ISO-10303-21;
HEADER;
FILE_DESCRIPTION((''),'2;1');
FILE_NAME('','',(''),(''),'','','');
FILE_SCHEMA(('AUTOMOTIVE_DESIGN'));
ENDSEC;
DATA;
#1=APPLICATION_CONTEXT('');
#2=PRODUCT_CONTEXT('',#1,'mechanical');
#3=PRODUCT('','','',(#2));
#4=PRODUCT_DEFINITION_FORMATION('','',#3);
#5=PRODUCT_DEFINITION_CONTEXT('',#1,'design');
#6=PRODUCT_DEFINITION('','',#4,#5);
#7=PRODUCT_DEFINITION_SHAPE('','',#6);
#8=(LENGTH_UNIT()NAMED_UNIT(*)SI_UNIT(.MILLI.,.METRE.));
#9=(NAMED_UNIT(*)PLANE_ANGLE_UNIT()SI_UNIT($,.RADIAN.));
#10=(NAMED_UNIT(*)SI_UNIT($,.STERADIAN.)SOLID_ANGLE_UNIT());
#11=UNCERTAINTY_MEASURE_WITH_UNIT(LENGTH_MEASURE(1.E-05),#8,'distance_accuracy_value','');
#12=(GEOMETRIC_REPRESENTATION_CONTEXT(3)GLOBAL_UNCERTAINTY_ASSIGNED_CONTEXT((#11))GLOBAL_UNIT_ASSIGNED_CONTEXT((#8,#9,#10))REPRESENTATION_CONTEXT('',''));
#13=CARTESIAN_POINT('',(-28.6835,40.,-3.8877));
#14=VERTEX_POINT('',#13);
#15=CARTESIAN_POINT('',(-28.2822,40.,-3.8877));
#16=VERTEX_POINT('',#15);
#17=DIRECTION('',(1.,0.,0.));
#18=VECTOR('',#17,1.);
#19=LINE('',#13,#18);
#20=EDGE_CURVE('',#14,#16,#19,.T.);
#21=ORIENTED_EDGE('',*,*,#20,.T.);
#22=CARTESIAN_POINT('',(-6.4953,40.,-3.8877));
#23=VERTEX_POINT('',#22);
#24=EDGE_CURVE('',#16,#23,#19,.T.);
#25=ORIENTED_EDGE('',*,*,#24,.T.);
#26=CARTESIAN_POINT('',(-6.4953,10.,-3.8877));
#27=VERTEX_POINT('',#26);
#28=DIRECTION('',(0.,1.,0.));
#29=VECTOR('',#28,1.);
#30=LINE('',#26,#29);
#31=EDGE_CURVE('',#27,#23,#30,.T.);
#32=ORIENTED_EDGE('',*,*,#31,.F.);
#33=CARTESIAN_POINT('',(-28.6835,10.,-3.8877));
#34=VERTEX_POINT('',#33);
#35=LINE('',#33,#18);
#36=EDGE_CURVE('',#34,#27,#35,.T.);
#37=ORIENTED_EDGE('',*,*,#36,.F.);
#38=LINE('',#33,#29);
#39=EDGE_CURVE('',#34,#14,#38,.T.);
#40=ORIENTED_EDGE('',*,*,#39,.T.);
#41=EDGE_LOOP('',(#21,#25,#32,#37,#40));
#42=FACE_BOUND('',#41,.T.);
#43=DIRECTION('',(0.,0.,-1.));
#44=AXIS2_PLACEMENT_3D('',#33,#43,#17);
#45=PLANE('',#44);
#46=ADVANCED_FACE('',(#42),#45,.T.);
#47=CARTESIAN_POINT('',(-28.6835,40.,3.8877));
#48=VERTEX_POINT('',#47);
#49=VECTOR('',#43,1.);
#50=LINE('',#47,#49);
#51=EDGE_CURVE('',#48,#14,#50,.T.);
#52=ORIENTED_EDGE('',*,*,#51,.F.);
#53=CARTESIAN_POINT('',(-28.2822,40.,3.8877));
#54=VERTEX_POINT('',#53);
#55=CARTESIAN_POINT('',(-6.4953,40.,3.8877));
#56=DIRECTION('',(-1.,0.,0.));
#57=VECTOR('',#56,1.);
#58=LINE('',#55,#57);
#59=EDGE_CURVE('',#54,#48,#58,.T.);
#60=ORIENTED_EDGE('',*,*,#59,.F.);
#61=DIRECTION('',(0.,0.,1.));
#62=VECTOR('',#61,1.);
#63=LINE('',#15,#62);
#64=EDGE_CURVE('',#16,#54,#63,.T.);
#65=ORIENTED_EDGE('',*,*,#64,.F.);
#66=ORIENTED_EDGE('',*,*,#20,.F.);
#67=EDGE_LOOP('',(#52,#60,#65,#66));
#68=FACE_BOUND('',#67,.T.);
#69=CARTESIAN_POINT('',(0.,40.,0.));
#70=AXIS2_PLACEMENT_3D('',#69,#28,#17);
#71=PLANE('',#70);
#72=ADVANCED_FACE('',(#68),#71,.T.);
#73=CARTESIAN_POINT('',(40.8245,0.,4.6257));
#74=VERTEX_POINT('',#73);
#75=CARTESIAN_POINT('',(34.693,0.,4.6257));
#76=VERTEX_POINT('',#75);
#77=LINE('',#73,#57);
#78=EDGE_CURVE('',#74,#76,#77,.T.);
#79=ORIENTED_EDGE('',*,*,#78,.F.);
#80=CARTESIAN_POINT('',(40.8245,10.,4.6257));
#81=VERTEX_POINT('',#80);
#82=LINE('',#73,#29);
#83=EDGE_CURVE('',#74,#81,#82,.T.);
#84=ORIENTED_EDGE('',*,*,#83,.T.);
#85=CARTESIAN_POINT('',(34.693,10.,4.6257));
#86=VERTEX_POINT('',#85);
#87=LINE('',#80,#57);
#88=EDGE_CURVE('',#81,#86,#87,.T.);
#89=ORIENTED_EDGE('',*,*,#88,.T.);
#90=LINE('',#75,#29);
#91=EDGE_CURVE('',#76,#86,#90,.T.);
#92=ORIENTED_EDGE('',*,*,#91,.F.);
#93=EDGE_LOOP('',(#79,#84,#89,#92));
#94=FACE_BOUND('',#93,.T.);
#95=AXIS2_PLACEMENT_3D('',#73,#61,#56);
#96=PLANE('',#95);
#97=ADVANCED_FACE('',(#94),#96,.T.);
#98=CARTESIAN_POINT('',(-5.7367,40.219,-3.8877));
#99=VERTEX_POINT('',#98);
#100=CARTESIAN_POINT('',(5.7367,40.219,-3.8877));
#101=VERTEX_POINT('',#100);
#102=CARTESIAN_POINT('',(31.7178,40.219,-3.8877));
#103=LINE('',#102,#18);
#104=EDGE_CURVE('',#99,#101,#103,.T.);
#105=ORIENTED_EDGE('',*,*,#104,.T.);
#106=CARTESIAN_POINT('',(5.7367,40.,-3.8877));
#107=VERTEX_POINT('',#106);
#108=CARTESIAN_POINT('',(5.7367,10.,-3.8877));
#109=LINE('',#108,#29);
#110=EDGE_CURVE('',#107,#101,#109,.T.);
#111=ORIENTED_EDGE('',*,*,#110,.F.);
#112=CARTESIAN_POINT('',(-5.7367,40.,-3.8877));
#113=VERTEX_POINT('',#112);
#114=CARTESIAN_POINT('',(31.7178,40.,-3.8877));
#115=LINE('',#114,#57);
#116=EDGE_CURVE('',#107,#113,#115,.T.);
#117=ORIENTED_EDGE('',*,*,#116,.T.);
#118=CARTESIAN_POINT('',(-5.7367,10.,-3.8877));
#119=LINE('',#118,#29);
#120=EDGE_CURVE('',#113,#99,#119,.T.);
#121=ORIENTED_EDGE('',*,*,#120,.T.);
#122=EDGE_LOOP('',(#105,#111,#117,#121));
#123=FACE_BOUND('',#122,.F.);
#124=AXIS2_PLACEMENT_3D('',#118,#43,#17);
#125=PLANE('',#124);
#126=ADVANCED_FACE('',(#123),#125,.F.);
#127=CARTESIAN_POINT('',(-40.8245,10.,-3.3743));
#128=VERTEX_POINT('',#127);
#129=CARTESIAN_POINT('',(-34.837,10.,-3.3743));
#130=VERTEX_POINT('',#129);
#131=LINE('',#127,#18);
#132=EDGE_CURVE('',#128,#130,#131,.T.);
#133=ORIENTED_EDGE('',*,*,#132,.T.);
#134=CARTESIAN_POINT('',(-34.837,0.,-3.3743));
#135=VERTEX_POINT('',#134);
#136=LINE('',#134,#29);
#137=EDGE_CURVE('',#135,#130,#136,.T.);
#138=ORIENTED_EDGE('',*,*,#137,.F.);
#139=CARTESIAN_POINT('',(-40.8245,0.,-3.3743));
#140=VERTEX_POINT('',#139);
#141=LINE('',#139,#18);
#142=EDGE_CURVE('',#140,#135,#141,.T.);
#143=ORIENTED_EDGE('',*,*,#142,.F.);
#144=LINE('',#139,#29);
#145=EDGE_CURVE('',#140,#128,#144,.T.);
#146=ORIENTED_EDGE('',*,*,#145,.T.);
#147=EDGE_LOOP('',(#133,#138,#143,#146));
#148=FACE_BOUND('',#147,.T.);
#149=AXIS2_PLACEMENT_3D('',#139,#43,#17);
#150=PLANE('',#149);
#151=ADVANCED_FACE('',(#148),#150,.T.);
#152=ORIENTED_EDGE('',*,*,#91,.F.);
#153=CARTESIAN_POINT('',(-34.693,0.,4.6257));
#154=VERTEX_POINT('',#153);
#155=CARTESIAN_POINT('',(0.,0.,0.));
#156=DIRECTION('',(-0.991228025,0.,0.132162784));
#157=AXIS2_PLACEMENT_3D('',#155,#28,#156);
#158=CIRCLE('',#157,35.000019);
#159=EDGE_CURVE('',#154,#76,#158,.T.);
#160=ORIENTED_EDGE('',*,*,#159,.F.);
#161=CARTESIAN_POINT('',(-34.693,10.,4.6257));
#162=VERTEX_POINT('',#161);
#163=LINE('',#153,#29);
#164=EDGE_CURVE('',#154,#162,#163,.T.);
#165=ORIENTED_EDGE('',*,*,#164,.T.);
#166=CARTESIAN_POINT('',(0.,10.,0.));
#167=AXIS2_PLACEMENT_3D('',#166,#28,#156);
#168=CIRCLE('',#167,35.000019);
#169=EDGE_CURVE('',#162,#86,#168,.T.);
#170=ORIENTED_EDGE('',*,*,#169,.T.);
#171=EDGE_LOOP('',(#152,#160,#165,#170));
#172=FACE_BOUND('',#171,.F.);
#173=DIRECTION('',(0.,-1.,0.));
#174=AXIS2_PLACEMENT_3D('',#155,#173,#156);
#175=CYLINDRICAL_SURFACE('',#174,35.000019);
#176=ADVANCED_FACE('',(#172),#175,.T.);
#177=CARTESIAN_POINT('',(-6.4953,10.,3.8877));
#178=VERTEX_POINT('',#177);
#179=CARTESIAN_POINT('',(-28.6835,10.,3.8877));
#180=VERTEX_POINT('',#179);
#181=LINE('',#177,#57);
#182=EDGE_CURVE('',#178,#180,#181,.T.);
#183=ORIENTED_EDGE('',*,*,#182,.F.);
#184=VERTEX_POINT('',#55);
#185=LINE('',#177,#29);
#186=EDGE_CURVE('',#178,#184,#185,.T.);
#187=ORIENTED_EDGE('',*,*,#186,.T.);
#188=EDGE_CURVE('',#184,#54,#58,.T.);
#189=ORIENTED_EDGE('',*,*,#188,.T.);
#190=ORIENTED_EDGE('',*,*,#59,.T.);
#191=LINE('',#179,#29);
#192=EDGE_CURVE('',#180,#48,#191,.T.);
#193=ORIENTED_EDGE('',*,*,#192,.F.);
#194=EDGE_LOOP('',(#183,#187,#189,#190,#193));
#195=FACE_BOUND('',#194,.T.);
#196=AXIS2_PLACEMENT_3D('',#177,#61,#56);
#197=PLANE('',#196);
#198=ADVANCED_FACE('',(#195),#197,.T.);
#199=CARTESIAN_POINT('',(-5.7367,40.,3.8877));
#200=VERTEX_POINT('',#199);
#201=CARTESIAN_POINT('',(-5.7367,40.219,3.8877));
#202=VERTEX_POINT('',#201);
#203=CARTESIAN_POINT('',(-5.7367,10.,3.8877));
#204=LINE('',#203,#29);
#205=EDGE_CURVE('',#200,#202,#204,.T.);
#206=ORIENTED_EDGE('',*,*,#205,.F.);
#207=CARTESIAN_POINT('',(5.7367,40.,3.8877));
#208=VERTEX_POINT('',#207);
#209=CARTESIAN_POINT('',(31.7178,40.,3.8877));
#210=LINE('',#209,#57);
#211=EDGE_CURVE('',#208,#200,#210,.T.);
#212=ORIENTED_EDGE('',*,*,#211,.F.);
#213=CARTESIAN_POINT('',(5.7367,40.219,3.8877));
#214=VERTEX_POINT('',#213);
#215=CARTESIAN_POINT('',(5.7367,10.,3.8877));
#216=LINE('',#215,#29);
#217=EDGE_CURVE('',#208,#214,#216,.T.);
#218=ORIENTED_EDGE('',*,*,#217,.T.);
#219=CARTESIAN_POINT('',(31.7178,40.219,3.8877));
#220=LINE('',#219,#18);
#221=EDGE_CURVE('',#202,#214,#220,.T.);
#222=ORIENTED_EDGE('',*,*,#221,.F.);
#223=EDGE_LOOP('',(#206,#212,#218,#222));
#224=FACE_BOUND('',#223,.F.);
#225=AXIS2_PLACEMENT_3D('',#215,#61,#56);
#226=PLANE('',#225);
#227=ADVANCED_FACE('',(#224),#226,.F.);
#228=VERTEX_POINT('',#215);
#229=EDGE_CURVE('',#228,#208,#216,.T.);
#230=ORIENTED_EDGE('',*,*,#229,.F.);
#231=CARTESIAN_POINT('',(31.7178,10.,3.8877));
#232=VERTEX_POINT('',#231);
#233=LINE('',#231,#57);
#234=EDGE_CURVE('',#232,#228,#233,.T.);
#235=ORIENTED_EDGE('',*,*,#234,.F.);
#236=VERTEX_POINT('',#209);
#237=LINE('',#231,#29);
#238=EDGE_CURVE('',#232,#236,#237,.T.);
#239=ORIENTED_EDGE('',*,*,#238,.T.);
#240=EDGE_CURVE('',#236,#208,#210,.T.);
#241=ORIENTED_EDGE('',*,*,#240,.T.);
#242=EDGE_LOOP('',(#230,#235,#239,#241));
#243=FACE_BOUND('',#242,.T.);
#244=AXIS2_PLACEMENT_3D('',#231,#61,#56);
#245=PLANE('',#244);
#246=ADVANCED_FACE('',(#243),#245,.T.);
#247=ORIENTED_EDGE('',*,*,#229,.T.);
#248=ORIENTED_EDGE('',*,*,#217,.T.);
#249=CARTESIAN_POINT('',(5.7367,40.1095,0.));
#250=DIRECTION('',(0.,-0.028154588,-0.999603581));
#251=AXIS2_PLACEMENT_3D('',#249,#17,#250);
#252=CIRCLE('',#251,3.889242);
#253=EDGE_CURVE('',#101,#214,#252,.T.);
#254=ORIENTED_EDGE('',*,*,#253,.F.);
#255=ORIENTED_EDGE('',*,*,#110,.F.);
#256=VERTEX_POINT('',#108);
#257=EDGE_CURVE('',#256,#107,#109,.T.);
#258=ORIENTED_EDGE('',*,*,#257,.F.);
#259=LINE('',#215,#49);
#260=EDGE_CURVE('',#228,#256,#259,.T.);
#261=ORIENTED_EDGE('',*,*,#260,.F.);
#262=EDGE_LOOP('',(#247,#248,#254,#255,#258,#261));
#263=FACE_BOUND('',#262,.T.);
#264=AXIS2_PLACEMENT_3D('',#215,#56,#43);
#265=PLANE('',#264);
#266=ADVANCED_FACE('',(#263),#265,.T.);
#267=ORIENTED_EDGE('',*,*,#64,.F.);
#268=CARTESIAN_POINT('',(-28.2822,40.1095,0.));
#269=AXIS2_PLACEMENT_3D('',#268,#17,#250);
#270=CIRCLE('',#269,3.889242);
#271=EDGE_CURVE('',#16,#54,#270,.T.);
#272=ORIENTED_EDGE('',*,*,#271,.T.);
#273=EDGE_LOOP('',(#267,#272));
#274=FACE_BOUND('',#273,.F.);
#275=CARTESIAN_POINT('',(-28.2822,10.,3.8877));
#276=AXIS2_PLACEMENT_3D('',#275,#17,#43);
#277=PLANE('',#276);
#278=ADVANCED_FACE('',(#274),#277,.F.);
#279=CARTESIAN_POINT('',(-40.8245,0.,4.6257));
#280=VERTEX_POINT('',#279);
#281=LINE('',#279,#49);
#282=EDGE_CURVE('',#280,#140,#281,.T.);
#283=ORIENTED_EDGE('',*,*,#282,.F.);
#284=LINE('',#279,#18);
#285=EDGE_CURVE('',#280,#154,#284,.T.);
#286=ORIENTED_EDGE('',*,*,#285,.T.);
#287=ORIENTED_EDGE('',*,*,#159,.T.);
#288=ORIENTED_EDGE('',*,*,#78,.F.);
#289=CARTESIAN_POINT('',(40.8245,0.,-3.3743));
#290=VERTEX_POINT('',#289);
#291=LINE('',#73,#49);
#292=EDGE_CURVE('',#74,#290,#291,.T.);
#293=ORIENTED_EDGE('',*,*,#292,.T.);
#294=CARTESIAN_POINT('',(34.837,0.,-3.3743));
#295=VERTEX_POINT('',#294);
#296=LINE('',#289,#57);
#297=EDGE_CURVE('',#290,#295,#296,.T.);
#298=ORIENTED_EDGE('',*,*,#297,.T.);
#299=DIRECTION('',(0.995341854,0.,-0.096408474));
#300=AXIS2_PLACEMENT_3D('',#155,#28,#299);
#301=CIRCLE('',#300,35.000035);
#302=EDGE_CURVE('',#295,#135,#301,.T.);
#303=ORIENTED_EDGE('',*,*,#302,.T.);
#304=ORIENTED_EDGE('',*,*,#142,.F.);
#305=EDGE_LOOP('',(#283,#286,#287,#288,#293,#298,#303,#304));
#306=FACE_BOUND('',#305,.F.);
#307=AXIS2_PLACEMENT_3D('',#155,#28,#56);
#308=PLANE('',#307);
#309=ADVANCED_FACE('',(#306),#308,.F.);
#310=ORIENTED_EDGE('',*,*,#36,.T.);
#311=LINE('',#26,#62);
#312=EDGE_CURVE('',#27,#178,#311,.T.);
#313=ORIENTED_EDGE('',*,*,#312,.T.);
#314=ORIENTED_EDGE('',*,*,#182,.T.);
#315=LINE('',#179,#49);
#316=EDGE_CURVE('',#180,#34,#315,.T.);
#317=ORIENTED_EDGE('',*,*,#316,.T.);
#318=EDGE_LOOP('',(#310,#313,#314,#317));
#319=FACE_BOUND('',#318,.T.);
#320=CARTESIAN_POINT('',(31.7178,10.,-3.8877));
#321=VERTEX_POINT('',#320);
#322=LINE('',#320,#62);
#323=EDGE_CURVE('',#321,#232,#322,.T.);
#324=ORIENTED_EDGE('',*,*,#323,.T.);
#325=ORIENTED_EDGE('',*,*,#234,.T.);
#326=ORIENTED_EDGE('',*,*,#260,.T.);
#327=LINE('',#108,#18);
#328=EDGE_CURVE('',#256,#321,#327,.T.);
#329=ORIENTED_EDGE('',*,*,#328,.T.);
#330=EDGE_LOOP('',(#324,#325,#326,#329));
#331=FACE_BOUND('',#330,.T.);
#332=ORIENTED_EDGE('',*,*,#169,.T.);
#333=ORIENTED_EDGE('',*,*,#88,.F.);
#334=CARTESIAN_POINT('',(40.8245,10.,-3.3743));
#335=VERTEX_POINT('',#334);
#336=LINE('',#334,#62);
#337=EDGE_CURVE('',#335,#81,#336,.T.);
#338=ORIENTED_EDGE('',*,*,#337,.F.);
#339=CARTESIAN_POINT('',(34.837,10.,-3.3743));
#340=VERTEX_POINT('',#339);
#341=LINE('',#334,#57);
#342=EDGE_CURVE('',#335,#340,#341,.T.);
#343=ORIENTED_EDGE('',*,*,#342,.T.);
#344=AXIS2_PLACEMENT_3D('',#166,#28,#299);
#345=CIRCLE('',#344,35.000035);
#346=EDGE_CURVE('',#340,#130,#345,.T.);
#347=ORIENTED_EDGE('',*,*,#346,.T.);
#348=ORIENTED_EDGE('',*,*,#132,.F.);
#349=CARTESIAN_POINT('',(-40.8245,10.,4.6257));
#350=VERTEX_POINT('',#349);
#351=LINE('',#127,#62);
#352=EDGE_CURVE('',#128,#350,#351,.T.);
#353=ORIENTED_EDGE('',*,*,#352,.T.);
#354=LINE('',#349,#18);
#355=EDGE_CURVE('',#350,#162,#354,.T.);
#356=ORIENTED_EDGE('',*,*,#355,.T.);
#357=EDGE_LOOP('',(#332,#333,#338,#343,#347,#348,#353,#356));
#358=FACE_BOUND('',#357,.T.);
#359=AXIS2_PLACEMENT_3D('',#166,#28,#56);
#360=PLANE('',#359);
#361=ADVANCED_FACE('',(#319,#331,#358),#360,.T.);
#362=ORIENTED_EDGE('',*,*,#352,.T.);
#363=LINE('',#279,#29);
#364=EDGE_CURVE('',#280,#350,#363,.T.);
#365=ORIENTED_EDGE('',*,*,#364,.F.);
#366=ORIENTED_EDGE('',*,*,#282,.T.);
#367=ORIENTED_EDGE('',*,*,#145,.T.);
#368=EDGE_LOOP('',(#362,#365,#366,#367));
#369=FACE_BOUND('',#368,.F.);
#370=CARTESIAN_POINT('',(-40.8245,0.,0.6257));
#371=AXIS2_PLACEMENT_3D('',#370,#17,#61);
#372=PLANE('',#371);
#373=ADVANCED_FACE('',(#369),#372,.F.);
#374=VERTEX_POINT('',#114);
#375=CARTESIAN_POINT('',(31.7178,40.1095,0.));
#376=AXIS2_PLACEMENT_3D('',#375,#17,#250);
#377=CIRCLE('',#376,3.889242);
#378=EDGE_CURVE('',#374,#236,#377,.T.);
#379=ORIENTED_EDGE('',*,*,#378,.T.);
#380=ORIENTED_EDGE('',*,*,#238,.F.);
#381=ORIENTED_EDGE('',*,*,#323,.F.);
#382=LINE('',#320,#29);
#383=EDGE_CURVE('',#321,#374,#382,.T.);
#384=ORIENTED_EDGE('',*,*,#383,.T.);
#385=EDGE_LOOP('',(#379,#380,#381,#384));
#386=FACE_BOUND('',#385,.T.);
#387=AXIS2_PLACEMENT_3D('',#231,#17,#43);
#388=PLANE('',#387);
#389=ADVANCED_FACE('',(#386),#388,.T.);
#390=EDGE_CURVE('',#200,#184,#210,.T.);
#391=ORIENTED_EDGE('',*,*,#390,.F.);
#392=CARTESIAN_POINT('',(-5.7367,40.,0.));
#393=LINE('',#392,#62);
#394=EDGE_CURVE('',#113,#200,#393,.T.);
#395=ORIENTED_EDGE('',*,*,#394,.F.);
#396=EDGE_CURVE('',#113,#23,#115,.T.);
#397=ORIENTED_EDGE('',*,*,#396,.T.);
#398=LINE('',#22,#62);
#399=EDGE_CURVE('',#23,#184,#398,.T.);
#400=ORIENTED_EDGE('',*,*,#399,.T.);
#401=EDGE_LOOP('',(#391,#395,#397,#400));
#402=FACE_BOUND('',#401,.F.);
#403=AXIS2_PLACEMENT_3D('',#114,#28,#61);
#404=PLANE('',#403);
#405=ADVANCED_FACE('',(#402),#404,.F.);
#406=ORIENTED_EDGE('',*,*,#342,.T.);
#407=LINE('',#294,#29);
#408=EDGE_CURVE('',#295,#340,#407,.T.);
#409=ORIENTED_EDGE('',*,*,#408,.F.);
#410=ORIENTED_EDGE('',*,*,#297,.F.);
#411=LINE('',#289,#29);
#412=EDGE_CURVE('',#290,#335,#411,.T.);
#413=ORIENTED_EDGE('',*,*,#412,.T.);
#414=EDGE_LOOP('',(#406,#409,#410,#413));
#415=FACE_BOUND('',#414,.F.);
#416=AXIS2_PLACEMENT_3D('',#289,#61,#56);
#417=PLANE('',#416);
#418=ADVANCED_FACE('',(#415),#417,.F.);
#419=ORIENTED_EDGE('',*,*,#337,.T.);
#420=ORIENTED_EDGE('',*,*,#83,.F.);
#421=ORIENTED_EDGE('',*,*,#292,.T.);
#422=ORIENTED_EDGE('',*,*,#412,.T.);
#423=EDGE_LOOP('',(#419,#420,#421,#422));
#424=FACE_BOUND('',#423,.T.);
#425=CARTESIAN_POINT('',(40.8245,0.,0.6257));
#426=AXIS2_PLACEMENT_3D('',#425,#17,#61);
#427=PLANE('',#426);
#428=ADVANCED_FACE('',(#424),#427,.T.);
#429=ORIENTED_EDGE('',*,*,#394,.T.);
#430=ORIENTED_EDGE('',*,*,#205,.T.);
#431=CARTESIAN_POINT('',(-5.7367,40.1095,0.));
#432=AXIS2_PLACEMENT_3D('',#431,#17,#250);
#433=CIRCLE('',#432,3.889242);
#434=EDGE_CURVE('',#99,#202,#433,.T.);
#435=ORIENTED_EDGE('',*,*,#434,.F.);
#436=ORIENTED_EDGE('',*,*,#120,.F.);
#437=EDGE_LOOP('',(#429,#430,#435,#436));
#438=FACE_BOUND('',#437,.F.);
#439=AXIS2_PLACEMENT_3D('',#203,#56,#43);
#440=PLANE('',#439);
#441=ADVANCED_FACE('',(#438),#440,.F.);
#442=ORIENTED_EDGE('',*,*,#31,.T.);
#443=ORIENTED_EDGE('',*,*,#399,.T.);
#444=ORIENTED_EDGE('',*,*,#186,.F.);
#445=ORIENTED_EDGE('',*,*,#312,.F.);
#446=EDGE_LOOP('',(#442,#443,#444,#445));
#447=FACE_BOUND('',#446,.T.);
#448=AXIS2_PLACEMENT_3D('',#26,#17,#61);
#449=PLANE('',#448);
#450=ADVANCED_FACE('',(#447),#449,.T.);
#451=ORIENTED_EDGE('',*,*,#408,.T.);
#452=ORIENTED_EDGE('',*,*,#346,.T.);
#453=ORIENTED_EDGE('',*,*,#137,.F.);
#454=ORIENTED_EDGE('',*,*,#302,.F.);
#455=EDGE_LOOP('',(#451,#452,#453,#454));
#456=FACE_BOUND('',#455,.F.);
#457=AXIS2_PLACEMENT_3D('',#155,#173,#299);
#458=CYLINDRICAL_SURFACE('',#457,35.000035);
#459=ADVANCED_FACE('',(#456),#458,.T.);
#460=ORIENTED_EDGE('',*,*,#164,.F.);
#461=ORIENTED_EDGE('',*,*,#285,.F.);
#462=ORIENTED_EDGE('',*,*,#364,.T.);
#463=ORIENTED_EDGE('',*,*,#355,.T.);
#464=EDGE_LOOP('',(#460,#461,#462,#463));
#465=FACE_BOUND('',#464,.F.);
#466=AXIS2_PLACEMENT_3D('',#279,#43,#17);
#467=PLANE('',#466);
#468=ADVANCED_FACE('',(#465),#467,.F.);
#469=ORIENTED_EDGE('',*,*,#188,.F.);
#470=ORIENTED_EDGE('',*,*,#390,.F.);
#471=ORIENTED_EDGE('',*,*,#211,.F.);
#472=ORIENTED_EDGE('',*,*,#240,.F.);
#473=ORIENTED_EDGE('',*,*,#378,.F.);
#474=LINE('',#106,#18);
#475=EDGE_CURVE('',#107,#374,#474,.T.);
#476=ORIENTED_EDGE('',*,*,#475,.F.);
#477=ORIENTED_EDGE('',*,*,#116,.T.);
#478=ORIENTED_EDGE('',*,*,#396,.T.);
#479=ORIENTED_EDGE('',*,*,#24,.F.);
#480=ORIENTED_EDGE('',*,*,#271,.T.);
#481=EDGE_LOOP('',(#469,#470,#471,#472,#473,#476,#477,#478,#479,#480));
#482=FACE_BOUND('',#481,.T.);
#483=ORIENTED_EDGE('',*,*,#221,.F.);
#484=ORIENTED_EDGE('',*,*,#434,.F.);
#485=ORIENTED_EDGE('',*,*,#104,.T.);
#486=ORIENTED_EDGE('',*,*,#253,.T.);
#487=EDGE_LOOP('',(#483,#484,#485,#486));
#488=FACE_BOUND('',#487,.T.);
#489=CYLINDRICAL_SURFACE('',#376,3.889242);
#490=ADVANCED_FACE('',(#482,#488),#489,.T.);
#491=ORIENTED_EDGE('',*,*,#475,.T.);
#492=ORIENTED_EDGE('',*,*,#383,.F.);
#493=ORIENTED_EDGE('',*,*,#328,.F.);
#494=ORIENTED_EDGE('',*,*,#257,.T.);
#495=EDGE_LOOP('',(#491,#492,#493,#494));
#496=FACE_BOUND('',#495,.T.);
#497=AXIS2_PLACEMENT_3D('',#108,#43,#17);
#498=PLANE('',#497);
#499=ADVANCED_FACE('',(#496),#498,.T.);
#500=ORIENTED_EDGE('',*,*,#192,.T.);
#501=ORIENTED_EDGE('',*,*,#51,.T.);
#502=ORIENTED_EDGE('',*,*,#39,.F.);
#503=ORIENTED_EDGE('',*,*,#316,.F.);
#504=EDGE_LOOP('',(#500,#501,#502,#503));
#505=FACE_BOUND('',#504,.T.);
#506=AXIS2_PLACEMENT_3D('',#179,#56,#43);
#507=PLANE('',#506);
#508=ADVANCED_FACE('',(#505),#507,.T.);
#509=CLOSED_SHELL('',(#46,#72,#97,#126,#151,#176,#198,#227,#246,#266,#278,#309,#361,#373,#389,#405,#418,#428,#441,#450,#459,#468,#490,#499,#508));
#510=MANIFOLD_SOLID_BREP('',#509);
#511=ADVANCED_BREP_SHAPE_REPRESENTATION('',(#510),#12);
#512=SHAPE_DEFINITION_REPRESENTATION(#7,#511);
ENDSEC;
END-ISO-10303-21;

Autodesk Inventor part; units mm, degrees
ref_plane "YZ Plane" through (0, 0, 0) normal (1, 0, 0) x (0, 1, 0)
ref_plane "XZ Plane" through (0, 0, 0) normal (0, 1, 0) x (-1, 0, 0)
ref_plane "XY Plane" through (0, 0, 0) normal (0, 0, 1) x (1, 0, 0)
sketch "Sketch1" plane through (0, 0, 0) normal (0, 1, 0) x (-1, 0, 0)
  line L0 (-34.8245, 0.6257) -> (-40.8245, 0.6257)
  line L1 (-40.8245, 0.6257) -> (-40.8245, 4.6257)
  line L2 (-40.8245, 4.6257) -> (-34.693, 4.6257)
  line L3 (-40.8245, 0.6257) -> (-40.8245, -3.3743)
  line L4 (-40.8245, -3.3743) -> (-34.837, -3.3743)
  line L5 (0, 23.9304) -> (0, -22.2454)
  line L6 (34.8245, 0.6257) -> (40.8245, 0.6257)
  line L7 (40.8245, 0.6257) -> (40.8245, 4.6257)
  line L8 (40.8245, 4.6257) -> (34.693, 4.6257)
  line L9 (40.8245, 0.6257) -> (40.8245, -3.3743)
  line L10 (40.8245, -3.3743) -> (34.837, -3.3743)
  arc A0 (34.693, 4.6257) -> (-34.693, 4.6257) centre (0, 0) ccw
  arc A1 (-34.837, -3.3743) -> (34.837, -3.3743) centre (0, 0) ccw
  point P0 (-34.693, -3.3743)
  point P1 (34.693, -3.3743)
  dimension "d1" = 4
  dimension "d2" = 6
  dimension "d5" = 35
  dimension "d6" = 35
extrude "Extrusion1" add sketch "Sketch1" along normal blind 10
sketch "Sketch2" plane through (0, 10, 0) normal (0, 1, 0) x (1, 0, 0)
  point P0 (0, 0)
sketch "Sketch3" plane through (0, 10, 0) normal (0, 1, 0) x (1, 0, 0)
  point P0 (0, 0)
sketch "Sketch4" plane through (0, 10, 0) normal (0, 1, 0) x (1, 0, 0)
  line L0 (-28.6835, 3.8877) -> (-6.4953, 3.8877)
  line L1 (-6.4953, 3.8877) -> (-6.4953, -3.8877)
  line L2 (-6.4953, -3.8877) -> (-28.6835, -3.8877)
  line L3 (-28.6835, -3.8877) -> (-28.6835, 3.8877)
  line L4 (-28.6835, 3.8877) -> (-6.4953, -3.8877) construction
  line L5 (-6.4953, 3.8877) -> (-28.6835, -3.8877) construction
  line L6 (5.7367, 3.8877) -> (31.7178, 3.8877)
  line L7 (31.7178, 3.8877) -> (31.7178, -3.8877)
  line L8 (31.7178, -3.8877) -> (5.7367, -3.8877)
  line L9 (5.7367, -3.8877) -> (5.7367, 3.8877)
  line L10 (5.7367, 3.8877) -> (31.7178, -3.8877) construction
  line L11 (31.7178, 3.8877) -> (5.7367, -3.8877) construction
  point P0 (0, 0)
  point P1 (-17.5894, 0)
  point P2 (18.7272, 0)
extrude "Extrusion2" add sketch "Sketch4" along normal blind 30
sketch "Sketch5" plane through (31.7178, 10, 3.8877) normal (1, 0, 0) x (0, 0, -1)
  line L0 (7.7754, 30) -> (0, 30) projected
  arc A0 (7.7754, 30) -> (0, 30) centre (3.8877, 30.1095) ccw
  point P0 (3.8877, -10)
extrude "Extrusion3" add sketch "Sketch5" against normal blind 60
sketch "Sketch6" plane through (0, 10, 0) normal (0, 1, 0) x (1, 0, 0)
  line L0 (5.7367, -3.8877) -> (5.7367, 3.8877) projected
  line L1 (-5.7367, 3.8877) -> (5.7367, 3.8877)
  line L2 (5.7367, 3.8877) -> (5.7367, -3.8877)
  line L3 (5.7367, -3.8877) -> (-5.7367, -3.8877)
  line L4 (-5.7367, -3.8877) -> (-5.7367, 3.8877)
  line L5 (-5.7367, 3.8877) -> (5.7367, -3.8877) construction
  line L6 (5.7367, 3.8877) -> (-5.7367, -3.8877) construction
  point P0 (0, 0)
extrude "Extrusion4" cut sketch "Sketch6" along normal blind 60
properties part number "joy part 2"
